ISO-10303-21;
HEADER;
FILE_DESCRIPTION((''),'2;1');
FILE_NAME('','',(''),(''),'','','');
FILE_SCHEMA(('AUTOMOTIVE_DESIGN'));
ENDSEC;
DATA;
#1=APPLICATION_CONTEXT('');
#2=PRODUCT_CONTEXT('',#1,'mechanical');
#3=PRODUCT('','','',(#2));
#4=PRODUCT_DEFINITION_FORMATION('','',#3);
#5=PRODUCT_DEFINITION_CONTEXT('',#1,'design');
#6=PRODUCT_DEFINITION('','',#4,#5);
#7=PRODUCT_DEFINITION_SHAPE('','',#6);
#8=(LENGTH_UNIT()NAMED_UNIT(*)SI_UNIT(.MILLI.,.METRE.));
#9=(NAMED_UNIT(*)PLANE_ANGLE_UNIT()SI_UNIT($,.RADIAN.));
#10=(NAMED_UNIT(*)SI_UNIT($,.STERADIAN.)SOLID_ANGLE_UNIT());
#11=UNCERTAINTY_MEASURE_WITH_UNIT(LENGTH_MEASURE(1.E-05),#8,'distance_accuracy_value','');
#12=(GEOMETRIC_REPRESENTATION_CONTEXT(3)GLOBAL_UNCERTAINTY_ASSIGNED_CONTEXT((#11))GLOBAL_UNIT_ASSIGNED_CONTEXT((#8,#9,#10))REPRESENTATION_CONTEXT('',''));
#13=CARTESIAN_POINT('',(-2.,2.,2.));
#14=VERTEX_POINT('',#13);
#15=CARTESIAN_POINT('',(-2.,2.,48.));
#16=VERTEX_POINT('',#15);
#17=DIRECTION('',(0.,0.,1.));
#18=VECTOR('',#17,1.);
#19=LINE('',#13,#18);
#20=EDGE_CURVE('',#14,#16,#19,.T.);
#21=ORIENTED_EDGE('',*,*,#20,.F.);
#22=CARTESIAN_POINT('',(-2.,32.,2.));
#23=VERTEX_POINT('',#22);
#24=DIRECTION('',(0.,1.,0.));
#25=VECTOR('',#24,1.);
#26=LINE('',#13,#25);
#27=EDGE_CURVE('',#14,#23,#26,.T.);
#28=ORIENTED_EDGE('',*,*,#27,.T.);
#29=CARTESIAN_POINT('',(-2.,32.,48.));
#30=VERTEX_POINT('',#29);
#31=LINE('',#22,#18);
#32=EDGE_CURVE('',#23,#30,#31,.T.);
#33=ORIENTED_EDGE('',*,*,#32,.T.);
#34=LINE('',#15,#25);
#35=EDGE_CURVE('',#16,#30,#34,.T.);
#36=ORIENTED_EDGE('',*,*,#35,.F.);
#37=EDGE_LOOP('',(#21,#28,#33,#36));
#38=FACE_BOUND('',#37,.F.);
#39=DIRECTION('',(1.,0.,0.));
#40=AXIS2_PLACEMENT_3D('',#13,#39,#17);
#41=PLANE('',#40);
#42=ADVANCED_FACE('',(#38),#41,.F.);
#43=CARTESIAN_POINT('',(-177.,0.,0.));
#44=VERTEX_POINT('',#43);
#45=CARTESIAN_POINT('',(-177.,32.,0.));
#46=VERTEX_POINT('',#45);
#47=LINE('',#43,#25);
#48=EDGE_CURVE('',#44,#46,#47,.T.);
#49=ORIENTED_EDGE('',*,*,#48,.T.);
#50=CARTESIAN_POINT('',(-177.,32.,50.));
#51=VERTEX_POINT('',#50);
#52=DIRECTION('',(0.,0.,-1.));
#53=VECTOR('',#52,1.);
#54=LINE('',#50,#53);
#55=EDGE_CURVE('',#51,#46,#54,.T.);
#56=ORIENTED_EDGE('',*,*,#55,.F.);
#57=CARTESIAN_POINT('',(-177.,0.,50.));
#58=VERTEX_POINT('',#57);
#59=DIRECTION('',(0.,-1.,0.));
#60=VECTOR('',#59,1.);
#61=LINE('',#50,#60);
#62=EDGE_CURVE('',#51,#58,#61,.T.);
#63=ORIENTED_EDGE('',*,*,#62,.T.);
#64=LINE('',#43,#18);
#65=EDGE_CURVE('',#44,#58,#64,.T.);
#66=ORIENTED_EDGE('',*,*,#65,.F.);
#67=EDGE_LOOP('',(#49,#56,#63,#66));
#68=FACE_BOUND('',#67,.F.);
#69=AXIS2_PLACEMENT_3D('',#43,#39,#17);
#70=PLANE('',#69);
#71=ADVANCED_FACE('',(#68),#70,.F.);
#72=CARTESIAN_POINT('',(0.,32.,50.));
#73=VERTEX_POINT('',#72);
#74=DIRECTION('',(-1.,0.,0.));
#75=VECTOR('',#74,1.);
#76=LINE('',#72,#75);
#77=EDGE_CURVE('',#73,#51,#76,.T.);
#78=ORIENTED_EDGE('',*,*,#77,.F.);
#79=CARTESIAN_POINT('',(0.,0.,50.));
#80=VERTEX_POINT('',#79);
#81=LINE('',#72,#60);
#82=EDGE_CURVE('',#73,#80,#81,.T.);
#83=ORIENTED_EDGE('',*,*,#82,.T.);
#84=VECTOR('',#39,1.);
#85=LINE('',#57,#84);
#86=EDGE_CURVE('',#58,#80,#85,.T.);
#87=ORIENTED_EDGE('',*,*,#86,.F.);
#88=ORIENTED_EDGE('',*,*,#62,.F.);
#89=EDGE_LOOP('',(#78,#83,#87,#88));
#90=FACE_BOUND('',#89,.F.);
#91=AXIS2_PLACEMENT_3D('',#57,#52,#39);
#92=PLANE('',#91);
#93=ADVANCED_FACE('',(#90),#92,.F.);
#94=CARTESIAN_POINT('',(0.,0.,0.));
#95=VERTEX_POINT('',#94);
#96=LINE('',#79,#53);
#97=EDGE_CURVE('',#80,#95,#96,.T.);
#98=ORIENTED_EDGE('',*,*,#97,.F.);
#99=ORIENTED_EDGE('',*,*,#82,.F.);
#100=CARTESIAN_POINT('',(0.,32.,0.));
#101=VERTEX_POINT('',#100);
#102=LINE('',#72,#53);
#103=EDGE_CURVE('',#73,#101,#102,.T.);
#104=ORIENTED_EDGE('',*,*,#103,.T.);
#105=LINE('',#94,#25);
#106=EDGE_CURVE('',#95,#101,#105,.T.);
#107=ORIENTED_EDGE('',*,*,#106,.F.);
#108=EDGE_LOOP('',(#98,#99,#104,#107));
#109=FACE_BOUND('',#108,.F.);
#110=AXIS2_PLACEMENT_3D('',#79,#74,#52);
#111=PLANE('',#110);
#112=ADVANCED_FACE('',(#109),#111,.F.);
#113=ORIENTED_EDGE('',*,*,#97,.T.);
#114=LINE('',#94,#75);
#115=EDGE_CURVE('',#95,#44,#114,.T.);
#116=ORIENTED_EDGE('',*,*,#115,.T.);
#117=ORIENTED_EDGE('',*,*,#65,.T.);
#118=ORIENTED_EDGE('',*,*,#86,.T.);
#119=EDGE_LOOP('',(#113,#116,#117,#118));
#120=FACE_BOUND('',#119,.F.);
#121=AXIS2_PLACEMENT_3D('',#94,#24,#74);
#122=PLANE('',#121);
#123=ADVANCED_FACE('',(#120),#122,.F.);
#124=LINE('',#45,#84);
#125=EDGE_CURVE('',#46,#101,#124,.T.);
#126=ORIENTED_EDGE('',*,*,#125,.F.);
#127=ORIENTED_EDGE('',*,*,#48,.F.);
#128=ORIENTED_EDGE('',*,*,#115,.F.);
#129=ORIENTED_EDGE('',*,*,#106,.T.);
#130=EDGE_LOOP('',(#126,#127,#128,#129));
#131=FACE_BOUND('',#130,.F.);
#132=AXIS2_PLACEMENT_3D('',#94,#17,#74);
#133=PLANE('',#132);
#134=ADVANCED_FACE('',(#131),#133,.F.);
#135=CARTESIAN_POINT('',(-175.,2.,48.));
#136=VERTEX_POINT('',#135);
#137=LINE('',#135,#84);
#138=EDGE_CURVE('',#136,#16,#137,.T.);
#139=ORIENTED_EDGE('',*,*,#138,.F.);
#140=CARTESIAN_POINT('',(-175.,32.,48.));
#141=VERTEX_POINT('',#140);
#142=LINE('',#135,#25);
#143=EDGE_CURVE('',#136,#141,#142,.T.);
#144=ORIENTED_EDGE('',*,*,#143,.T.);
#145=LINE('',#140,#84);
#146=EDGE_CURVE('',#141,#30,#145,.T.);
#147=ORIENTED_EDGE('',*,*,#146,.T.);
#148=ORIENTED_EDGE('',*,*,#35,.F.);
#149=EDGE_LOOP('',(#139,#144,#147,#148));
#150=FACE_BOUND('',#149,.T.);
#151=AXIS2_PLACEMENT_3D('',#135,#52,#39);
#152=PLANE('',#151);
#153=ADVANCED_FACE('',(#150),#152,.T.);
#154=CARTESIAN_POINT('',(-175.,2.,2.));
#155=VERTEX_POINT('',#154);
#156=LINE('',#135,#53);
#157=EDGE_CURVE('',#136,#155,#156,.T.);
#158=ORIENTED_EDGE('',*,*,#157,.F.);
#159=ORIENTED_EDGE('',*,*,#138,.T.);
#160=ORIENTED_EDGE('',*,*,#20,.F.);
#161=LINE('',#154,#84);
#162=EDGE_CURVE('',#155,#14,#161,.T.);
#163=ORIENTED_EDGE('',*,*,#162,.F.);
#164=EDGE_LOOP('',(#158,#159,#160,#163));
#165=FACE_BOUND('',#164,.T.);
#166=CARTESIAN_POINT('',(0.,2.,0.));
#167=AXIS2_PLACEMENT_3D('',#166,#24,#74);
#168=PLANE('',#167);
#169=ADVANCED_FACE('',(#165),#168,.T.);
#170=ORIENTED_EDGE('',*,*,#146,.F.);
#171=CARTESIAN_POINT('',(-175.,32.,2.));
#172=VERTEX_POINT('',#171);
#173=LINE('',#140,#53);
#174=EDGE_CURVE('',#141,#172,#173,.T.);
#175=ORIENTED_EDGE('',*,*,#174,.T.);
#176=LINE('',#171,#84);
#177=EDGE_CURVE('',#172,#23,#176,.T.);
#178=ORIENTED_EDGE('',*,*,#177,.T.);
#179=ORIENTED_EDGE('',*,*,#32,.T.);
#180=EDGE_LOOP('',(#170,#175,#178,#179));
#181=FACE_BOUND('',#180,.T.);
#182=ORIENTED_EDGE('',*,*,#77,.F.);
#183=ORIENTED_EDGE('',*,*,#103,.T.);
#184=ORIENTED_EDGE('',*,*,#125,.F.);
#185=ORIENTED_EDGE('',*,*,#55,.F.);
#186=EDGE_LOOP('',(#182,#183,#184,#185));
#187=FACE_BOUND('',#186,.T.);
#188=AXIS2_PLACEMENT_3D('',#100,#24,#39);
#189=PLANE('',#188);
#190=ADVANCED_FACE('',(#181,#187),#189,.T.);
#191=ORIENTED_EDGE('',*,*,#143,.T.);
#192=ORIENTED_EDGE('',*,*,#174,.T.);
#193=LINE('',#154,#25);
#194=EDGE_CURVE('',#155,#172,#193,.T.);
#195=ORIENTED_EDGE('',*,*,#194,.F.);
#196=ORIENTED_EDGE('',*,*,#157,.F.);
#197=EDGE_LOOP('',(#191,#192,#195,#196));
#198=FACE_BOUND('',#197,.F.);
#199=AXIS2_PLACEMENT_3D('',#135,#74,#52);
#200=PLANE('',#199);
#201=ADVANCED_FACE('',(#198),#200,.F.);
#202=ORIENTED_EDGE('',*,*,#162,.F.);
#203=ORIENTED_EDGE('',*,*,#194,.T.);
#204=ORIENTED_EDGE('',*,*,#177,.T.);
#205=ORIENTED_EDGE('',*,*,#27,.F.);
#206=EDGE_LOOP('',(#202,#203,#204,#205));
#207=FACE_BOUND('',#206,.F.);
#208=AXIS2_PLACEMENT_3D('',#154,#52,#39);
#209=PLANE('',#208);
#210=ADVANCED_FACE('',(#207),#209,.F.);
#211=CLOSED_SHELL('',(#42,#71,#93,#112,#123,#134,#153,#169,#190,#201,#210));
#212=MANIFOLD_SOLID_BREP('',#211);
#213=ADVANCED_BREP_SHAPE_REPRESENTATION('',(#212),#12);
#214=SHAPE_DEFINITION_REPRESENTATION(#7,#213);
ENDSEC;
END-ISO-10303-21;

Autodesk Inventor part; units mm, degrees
ref_plane "YZ Plane" through (0, 0, 0) normal (1, 0, 0) x (0, 1, 0)
ref_plane "XZ Plane" through (0, 0, 0) normal (0, 1, 0) x (-1, 0, 0)
ref_plane "XY Plane" through (0, 0, 0) normal (0, 0, 1) x (1, 0, 0)
sketch "Náčrt1" plane through (0, 0, 0) normal (0, 1, 0) x (-1, 0, 0)
  point P0 (0, 0)
sketch "Náčrt2" plane through (0, 0, 0) normal (0, 1, 0) x (-1, 0, 0)
  line L0 (0, 0) -> (177, 0)
  line L1 (177, 0) -> (177, 50)
  line L2 (177, 50) -> (0, 50)
  line L3 (0, 50) -> (0, 0)
extrude "Vysunutí1" add sketch "Náčrt2" along normal blind 2
sketch "Náčrt3" plane through (0, 2, 0) normal (0, 1, 0) x (1, 0, 0)
  line L0 (0, 0) -> (-177, 0) projected
  line L1 (-177, 0) -> (-177, -50) projected
  line L2 (-177, -50) -> (0, -50) projected
  line L3 (0, -50) -> (0, 0) projected
  line L4 (-177, 0) -> (-177, -2)
  line L5 (-175, -2) -> (-2, -2)
  line L6 (-177, -50) -> (-177, -48)
  line L7 (-175, -48) -> (-2, -48)
  line L8 (-177, -50) -> (-175, -50)
  line L9 (-175, -48) -> (-175, -2)
  line L10 (0, 0) -> (-2, 0)
  line L11 (-2, -2) -> (-2, -48)
  dimension "d4" = 2
  dimension "d5" = 2
  dimension "d6" = 2
  dimension "d7" = 2
extrude "Vysunutí2" add sketch "Náčrt3" along normal blind 30
sketch "Náčrt4" plane through (0, 0, 0) normal (0, 0, -1) x (-1, 0, 0)
  line L0 (0, 0) -> (177, 0) projected
  line L1 (177, 0) -> (177, 32) projected
  line L2 (0, 32) -> (177, 32) projected
  line L3 (0, 0) -> (0, 32) projected
sketch "Náčrt5" plane through (0, 0, 0) normal (0, 0, -1) x (-1, 0, 0)
  line L0 (0, 0) -> (177, 0) projected
  line L1 (177, 0) -> (177, 32) projected
  line L2 (0, 32) -> (177, 32) projected
  line L3 (0, 0) -> (0, 32) projected
  line L4 (2, 2) -> (175, 2)
  line L5 (175, 2) -> (175, 32)
  line L6 (175, 32) -> (2, 32)
  line L7 (2, 32) -> (2, 2)
properties part number "Součást1"
